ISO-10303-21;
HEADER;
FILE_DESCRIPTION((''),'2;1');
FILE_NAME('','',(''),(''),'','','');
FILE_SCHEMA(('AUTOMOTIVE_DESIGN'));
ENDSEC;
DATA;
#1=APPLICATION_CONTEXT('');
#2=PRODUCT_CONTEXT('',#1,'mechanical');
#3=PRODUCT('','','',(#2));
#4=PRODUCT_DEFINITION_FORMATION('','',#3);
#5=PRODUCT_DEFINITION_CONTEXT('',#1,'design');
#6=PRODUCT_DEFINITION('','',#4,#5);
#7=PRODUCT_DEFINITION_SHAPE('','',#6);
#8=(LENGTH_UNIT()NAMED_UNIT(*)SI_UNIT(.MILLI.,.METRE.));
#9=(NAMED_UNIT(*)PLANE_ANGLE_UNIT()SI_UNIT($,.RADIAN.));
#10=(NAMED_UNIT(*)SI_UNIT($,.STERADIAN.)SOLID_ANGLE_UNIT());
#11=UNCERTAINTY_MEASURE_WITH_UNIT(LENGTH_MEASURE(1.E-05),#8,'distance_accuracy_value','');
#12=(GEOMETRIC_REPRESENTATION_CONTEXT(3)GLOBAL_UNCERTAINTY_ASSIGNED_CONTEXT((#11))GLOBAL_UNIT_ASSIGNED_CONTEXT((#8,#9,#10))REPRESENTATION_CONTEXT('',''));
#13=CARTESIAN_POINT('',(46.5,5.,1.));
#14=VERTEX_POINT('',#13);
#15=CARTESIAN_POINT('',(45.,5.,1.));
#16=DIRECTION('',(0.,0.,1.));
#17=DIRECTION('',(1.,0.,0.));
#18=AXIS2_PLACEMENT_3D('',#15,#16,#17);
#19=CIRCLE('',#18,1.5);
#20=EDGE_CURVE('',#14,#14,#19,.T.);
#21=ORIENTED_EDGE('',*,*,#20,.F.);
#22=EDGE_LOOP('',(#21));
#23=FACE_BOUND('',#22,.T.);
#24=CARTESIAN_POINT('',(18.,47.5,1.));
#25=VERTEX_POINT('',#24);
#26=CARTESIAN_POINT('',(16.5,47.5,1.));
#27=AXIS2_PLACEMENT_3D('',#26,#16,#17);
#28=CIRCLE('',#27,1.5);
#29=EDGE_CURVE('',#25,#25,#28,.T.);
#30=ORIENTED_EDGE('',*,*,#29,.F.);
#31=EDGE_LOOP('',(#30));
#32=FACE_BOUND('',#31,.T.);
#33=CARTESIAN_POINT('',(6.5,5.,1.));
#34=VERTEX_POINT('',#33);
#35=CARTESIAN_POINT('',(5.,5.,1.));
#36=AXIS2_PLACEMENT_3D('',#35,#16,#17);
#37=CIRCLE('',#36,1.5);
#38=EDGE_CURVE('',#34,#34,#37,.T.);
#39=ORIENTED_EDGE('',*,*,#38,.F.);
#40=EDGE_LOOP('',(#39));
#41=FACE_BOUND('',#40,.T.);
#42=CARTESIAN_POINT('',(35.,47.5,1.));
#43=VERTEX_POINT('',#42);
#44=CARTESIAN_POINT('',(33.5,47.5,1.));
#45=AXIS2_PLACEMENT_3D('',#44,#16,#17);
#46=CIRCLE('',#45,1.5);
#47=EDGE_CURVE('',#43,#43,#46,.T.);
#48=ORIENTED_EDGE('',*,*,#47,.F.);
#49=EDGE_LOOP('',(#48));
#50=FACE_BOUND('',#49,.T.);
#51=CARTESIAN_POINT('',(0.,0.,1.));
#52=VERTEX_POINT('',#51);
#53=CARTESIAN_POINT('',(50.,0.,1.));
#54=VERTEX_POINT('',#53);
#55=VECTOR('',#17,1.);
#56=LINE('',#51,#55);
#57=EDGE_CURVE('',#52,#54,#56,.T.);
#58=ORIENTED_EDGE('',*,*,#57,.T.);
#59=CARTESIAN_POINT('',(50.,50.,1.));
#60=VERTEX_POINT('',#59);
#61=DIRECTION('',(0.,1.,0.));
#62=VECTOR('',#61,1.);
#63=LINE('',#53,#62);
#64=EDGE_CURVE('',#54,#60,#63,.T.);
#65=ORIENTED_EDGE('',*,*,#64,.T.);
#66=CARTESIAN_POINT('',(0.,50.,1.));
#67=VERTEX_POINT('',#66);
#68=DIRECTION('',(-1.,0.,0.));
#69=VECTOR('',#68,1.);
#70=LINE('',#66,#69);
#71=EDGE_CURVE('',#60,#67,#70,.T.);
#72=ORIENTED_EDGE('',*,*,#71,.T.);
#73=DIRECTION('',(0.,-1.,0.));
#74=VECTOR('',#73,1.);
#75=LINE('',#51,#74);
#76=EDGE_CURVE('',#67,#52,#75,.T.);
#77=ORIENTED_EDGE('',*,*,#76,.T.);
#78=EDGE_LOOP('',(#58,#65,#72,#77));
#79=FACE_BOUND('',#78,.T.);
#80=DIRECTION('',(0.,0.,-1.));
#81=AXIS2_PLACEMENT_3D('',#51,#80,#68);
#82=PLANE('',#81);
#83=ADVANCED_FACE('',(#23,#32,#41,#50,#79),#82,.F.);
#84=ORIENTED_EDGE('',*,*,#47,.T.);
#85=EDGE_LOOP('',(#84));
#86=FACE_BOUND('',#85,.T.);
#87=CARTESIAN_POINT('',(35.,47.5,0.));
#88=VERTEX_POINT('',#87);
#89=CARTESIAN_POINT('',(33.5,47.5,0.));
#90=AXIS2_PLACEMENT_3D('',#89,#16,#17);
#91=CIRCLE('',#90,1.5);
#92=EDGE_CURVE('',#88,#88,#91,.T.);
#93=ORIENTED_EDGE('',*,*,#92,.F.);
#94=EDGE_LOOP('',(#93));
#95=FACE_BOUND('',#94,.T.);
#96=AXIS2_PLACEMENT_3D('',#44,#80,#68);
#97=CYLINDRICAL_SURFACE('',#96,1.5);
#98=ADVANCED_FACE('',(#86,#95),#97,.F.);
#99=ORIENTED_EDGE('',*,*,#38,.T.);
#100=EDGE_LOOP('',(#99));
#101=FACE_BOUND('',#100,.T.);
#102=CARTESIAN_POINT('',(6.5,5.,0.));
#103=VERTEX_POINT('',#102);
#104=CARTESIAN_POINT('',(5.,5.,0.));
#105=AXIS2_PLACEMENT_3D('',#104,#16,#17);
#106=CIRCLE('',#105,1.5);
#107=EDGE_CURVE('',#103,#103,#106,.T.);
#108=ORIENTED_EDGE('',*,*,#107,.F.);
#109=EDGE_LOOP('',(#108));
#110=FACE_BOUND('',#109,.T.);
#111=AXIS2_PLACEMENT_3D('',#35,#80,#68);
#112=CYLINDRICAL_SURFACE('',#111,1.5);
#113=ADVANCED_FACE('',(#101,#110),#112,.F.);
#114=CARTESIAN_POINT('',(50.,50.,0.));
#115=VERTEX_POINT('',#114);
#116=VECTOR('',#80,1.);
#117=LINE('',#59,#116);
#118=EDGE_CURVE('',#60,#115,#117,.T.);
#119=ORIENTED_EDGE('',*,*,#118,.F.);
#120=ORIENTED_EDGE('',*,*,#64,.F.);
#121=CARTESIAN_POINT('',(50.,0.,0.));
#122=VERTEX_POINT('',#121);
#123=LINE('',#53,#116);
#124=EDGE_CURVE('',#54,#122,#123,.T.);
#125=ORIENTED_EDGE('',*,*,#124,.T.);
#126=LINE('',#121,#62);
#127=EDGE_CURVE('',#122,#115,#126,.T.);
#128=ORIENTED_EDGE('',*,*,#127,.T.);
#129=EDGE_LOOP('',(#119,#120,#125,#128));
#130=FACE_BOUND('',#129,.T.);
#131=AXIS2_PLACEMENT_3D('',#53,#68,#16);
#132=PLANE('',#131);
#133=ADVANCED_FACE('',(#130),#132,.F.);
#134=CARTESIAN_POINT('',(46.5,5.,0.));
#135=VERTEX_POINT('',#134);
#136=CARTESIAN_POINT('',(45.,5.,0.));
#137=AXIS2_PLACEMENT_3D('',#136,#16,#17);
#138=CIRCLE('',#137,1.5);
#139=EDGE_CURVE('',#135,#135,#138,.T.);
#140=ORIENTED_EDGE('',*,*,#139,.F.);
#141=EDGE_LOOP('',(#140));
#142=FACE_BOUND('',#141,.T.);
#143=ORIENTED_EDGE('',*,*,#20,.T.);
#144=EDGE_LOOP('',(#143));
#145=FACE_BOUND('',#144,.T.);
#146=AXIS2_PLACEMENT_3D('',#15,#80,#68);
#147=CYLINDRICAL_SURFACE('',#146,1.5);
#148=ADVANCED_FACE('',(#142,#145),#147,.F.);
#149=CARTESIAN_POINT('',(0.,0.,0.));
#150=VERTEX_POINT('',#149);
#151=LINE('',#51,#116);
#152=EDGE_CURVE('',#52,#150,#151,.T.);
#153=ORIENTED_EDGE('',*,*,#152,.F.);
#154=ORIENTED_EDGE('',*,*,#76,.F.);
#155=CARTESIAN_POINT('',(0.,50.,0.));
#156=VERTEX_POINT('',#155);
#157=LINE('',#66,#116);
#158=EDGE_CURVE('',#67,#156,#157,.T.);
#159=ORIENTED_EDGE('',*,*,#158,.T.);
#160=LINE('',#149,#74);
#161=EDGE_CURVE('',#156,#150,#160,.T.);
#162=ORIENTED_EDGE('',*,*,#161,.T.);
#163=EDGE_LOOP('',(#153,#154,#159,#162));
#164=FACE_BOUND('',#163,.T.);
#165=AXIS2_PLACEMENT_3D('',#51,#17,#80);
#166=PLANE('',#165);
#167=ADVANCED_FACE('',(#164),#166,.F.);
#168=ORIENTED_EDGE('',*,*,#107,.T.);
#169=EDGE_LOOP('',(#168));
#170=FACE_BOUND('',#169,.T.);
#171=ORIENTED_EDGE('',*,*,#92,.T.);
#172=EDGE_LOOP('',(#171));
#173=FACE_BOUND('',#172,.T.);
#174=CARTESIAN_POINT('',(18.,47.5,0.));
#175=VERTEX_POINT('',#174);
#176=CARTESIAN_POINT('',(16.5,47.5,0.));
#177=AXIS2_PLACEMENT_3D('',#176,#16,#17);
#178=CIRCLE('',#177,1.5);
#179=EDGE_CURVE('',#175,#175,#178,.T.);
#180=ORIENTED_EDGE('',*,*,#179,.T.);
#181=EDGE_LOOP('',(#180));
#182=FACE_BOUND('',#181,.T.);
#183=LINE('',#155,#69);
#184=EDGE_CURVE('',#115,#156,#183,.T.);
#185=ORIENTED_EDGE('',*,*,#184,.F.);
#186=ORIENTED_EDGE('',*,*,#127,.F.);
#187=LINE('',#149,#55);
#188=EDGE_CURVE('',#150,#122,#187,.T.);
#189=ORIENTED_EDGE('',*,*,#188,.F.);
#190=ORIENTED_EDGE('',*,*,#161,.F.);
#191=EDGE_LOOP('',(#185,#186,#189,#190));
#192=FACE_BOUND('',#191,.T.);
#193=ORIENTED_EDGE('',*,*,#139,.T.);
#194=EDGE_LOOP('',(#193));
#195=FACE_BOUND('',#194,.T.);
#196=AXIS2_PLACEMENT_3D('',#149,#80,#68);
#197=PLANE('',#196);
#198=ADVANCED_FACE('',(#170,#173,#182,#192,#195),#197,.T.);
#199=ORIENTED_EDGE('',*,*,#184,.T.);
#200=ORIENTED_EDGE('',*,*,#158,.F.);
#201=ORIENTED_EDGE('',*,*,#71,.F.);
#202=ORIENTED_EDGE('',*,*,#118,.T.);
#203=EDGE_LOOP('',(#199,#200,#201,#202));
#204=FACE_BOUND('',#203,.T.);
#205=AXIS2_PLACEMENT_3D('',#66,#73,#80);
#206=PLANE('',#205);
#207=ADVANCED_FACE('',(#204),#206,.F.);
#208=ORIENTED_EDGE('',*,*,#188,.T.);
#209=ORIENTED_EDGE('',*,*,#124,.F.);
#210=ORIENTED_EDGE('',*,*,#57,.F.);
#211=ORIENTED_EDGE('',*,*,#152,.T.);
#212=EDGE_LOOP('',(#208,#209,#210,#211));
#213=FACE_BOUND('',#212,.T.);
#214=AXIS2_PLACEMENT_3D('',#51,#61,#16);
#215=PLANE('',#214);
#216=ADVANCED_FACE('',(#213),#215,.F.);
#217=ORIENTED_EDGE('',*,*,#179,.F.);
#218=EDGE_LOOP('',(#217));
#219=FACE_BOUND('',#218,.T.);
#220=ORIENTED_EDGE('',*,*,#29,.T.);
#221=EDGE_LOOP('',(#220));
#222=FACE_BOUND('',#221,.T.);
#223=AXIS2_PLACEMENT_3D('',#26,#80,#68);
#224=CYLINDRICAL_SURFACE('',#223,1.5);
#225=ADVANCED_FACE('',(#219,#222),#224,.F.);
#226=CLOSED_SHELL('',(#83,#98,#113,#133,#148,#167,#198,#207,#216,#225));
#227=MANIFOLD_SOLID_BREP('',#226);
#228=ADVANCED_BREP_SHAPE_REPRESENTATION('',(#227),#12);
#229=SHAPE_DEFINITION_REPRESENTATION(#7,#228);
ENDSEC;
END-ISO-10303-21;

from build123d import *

# Parameters (mm, degrees)
IZIM1_W                     = 50
IZIM1_H                     = 50
IZIM1_R                     = 1.5
Y_KSEKLIK_EKSTR_ZYON1_DEPTH = 1


with BuildPart() as part:
    # Çizim1 → Yükseklik-Ekstrüzyon1 (new body)
    with BuildSketch(Plane.XY):
        with Locations((25, 25)):
            Rectangle(IZIM1_W, IZIM1_H)
        with Locations((16.5, 47.5)):
            Circle(IZIM1_R, mode=Mode.SUBTRACT)
        with Locations((33.5, 47.5)):
            Circle(IZIM1_R, mode=Mode.SUBTRACT)
        with Locations((5, 5)):
            Circle(IZIM1_R, mode=Mode.SUBTRACT)
        with Locations((45, 5)):
            Circle(IZIM1_R, mode=Mode.SUBTRACT)
    extrude(amount=Y_KSEKLIK_EKSTR_ZYON1_DEPTH)


solid = part.part
